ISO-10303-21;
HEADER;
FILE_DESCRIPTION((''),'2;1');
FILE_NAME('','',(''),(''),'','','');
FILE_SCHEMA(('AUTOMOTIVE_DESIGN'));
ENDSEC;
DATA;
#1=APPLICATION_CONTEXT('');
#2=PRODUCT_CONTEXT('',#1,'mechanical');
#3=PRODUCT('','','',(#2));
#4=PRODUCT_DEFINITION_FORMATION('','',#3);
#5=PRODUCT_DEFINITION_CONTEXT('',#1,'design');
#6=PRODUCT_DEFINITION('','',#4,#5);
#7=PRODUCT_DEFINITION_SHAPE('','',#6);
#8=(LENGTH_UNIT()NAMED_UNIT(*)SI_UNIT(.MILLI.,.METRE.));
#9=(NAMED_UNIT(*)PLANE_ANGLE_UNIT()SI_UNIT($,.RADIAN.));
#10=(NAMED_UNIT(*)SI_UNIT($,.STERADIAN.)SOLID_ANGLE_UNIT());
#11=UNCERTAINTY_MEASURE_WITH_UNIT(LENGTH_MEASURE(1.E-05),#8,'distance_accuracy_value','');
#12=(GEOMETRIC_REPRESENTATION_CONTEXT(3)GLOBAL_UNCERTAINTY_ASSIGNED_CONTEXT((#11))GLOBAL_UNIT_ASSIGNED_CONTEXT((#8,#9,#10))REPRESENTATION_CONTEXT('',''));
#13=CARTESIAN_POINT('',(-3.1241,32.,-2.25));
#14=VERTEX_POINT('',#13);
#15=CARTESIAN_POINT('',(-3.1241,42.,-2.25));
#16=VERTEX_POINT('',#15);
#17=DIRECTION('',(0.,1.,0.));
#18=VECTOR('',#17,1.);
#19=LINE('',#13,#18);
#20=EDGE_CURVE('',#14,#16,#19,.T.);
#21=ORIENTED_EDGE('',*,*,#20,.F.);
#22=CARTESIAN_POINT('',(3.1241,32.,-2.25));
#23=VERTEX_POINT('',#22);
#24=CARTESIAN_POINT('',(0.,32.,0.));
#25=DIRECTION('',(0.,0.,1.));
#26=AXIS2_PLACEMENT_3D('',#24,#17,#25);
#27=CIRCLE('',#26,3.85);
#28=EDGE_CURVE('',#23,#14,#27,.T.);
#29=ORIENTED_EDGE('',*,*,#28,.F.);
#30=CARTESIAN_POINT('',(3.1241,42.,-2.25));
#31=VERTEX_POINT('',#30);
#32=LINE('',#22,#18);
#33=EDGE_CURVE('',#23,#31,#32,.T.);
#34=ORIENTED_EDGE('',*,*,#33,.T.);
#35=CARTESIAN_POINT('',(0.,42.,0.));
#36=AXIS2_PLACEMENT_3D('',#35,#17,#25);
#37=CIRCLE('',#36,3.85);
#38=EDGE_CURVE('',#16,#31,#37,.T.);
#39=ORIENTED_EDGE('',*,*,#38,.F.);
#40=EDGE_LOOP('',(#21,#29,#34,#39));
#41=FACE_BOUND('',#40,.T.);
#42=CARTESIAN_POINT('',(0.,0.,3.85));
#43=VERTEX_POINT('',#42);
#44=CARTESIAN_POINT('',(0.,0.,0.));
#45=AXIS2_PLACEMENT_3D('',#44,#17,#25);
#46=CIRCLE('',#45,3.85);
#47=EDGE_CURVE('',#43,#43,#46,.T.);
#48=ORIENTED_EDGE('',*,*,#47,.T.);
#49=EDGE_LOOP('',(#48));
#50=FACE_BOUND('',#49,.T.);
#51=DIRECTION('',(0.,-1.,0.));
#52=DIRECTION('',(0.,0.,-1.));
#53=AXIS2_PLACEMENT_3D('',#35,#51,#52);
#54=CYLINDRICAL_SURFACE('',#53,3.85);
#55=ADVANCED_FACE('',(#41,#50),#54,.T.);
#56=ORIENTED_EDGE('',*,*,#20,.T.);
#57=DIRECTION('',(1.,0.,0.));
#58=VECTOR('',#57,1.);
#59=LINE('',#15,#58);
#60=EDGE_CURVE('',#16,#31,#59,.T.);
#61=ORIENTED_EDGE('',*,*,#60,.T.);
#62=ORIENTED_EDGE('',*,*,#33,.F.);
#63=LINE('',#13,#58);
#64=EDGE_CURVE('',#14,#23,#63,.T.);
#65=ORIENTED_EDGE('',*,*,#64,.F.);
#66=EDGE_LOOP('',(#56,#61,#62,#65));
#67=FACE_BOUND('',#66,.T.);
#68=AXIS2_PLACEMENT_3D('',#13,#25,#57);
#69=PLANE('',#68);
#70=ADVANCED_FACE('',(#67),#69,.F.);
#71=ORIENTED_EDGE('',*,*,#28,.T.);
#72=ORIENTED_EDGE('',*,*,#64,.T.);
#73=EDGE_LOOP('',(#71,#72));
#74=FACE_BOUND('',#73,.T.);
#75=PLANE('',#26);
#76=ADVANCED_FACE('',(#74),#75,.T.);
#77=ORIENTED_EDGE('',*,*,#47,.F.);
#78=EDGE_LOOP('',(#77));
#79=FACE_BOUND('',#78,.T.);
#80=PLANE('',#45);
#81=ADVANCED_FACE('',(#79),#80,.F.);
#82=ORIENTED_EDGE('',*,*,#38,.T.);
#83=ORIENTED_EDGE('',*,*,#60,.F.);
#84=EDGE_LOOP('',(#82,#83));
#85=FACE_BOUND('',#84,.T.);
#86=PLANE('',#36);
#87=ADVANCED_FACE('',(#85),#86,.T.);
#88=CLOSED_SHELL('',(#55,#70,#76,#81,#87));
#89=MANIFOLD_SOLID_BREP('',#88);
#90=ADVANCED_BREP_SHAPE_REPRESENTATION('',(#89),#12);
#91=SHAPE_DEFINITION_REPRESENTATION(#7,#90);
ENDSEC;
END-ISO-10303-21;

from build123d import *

# Parameters (mm, degrees)
SKETCH1_R           = 3.85
BOSS_EXTRUDE1_DEPTH = 42
CUT_EXTRUDE1_START  = -10
CUT_EXTRUDE1_DEPTH  = 10


with BuildPart() as part:
    # Sketch1 → Boss-Extrude1 (new body)
    with BuildSketch(Plane(origin=(0, 0, 0), x_dir=(1, 0, 0), z_dir=(0, 1, 0))):
        with Locations(Location((0, 0, 0), (0, 0, 90))):
            Circle(SKETCH1_R)
    extrude(amount=BOSS_EXTRUDE1_DEPTH)

    # Sketch2 → Cut-Extrude1 (cut)
    with BuildSketch(Plane(origin=(0, 42, 0), x_dir=(1, 0, 0), z_dir=(0, 1, 0)).offset(CUT_EXTRUDE1_START)):
        with BuildLine():
            Line((-3.12409987, 2.25), (3.12409987, 2.25))
            ThreePointArc((3.12409987, 2.25), (0, 3.85), (-3.12409987, 2.25))
        make_face()
    extrude(amount=CUT_EXTRUDE1_DEPTH, mode=Mode.SUBTRACT)


solid = part.part
